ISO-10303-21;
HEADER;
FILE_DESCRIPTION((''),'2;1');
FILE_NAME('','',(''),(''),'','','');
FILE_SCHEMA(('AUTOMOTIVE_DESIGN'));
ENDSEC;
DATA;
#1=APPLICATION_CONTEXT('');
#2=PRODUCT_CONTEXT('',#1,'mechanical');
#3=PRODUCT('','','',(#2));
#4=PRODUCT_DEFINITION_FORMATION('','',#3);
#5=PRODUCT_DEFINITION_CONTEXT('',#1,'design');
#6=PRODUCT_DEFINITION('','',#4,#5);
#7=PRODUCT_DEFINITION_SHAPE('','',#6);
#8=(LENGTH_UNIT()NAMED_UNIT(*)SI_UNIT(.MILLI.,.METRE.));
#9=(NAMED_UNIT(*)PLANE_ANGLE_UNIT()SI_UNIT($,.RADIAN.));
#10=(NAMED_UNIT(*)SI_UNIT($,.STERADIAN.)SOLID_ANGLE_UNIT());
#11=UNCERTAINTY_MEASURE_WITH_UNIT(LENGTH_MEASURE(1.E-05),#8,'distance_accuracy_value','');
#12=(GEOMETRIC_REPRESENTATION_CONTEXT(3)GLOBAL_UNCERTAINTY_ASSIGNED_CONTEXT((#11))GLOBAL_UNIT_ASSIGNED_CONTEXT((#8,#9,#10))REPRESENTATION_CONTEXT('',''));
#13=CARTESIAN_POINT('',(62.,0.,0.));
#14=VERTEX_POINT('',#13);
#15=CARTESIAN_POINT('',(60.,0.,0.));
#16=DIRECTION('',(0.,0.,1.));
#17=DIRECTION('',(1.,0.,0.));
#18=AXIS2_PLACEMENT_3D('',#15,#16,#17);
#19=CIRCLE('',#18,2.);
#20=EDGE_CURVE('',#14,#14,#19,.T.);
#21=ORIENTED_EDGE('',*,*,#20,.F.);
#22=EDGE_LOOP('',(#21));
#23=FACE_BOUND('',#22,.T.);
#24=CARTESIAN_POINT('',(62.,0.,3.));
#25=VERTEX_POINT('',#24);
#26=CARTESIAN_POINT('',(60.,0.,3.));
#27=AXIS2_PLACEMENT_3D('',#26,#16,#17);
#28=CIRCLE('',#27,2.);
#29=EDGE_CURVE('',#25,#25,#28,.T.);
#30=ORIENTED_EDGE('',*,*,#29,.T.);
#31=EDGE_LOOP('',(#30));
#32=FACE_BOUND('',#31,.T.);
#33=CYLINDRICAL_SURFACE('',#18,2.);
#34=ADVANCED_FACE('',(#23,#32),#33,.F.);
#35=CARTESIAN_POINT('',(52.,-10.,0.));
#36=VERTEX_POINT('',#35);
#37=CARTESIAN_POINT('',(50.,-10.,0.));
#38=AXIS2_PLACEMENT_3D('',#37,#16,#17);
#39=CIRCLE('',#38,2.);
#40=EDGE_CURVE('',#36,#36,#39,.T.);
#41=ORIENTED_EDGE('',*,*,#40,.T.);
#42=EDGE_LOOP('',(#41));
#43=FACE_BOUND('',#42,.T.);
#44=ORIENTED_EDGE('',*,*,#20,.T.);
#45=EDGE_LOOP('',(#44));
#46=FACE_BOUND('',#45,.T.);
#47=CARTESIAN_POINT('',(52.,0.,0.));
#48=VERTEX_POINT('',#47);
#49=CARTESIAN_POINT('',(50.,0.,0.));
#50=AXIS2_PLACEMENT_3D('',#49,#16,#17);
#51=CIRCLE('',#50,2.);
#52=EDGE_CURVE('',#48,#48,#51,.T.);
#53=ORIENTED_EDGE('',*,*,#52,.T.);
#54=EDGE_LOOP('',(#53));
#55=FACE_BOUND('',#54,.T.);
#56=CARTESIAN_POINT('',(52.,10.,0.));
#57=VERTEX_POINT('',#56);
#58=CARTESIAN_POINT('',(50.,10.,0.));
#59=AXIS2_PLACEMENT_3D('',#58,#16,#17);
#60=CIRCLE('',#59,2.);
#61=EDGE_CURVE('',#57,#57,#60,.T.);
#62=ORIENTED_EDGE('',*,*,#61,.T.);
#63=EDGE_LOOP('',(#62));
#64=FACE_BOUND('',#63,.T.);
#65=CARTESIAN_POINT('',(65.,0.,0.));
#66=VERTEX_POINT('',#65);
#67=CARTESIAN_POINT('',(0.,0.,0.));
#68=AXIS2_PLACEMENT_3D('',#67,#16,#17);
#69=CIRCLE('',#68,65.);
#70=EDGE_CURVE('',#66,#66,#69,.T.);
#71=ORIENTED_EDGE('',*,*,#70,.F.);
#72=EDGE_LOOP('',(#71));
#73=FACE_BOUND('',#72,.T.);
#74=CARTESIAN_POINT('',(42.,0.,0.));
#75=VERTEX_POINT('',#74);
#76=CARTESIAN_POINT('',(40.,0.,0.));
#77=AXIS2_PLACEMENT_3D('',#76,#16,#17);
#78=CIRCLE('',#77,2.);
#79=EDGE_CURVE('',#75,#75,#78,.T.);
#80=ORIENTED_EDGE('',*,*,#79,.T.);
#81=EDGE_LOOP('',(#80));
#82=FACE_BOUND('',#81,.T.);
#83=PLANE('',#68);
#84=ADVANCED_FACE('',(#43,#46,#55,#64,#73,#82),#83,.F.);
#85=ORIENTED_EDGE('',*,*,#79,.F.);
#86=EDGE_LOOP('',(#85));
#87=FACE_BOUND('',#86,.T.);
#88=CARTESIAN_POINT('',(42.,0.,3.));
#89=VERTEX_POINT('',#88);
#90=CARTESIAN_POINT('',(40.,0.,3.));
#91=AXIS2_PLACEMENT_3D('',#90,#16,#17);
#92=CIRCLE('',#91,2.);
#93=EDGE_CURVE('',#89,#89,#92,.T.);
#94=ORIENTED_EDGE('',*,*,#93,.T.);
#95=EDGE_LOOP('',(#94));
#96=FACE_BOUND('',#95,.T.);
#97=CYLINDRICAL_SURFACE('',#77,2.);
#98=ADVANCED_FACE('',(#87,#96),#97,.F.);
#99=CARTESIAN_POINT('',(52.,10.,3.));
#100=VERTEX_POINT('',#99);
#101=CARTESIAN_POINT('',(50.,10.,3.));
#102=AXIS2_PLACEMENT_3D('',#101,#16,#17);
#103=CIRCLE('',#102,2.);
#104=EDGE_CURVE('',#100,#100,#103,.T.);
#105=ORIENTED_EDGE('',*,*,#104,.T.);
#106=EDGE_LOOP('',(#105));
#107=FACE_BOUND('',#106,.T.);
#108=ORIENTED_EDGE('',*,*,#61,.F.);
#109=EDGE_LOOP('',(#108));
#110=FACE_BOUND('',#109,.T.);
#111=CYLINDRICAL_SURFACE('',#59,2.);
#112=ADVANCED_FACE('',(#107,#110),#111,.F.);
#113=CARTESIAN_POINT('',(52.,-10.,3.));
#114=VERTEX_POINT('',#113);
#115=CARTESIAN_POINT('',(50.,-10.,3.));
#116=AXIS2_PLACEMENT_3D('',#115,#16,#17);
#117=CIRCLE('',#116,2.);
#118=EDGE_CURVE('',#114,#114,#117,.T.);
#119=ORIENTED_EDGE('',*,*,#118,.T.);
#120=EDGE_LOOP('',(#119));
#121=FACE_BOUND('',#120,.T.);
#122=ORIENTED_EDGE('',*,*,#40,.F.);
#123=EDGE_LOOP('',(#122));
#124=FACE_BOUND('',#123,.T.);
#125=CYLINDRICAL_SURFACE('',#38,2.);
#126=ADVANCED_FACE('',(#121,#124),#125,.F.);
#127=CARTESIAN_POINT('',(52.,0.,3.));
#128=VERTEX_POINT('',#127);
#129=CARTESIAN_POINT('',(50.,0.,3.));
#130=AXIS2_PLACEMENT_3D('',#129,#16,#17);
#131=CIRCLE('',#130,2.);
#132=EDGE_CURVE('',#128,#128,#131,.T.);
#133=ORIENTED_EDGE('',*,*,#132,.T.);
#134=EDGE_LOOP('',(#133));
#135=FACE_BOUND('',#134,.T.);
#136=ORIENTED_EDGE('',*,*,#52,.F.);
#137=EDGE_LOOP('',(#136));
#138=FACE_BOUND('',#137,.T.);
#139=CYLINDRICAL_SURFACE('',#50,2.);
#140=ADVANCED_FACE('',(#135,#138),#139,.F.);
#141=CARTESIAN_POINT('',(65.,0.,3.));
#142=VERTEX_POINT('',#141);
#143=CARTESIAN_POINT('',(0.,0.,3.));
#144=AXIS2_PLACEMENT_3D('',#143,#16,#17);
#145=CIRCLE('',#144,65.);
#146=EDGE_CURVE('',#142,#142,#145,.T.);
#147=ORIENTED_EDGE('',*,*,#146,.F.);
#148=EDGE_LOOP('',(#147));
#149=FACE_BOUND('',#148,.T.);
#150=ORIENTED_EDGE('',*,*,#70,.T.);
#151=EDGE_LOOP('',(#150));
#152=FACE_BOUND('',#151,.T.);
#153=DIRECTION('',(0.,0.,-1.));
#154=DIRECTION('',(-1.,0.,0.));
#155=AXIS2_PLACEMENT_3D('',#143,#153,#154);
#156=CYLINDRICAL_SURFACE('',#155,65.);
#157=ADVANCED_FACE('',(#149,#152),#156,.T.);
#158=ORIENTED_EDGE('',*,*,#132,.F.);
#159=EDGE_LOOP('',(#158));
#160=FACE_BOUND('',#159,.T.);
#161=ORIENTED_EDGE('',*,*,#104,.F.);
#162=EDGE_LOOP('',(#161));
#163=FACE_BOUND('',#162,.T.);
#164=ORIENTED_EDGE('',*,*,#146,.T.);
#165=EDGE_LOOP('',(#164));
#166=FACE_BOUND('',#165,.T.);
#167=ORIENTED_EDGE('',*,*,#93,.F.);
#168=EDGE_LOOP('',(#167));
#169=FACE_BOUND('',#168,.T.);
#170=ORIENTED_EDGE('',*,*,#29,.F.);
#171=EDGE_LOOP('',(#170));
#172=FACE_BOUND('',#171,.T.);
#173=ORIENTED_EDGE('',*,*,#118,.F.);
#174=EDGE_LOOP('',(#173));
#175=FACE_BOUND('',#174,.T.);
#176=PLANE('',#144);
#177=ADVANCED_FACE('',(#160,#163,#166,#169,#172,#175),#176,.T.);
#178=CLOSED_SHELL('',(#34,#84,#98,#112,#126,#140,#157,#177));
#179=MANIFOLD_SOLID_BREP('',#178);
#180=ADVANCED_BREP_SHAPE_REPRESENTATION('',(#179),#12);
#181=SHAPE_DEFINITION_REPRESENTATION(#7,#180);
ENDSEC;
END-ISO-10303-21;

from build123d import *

# Parameters (mm, degrees)
SKETCH_1_R          = 65
EXTRUDE_1_DEPTH     = 3
SKETCH_2_R          = 2
SKETCH_2_R_2        = 1.5
CUT_EXTRUDE_4_DEPTH = 3


with BuildPart() as part:
    # 草图1 → 凸台-拉伸1 (new body)
    with BuildSketch(Plane.XY):
        Circle(SKETCH_1_R)
    extrude(amount=EXTRUDE_1_DEPTH)

    # 草图2 → 切除-拉伸4 (cut)
    with BuildSketch(Plane.XY.offset(3)):
        with Locations((40, 0)):
            Circle(SKETCH_2_R)
        with Locations((50, -10)):
            Circle(SKETCH_2_R)
        with Locations((50, 0)):
            Circle(SKETCH_2_R_2)
        with Locations((50, 0)):
            Circle(SKETCH_2_R)
        with Locations((50, 10)):
            Circle(SKETCH_2_R)
        with Locations((60, 0)):
            Circle(SKETCH_2_R)
    extrude(amount=-CUT_EXTRUDE_4_DEPTH, mode=Mode.SUBTRACT)


solid = part.part
